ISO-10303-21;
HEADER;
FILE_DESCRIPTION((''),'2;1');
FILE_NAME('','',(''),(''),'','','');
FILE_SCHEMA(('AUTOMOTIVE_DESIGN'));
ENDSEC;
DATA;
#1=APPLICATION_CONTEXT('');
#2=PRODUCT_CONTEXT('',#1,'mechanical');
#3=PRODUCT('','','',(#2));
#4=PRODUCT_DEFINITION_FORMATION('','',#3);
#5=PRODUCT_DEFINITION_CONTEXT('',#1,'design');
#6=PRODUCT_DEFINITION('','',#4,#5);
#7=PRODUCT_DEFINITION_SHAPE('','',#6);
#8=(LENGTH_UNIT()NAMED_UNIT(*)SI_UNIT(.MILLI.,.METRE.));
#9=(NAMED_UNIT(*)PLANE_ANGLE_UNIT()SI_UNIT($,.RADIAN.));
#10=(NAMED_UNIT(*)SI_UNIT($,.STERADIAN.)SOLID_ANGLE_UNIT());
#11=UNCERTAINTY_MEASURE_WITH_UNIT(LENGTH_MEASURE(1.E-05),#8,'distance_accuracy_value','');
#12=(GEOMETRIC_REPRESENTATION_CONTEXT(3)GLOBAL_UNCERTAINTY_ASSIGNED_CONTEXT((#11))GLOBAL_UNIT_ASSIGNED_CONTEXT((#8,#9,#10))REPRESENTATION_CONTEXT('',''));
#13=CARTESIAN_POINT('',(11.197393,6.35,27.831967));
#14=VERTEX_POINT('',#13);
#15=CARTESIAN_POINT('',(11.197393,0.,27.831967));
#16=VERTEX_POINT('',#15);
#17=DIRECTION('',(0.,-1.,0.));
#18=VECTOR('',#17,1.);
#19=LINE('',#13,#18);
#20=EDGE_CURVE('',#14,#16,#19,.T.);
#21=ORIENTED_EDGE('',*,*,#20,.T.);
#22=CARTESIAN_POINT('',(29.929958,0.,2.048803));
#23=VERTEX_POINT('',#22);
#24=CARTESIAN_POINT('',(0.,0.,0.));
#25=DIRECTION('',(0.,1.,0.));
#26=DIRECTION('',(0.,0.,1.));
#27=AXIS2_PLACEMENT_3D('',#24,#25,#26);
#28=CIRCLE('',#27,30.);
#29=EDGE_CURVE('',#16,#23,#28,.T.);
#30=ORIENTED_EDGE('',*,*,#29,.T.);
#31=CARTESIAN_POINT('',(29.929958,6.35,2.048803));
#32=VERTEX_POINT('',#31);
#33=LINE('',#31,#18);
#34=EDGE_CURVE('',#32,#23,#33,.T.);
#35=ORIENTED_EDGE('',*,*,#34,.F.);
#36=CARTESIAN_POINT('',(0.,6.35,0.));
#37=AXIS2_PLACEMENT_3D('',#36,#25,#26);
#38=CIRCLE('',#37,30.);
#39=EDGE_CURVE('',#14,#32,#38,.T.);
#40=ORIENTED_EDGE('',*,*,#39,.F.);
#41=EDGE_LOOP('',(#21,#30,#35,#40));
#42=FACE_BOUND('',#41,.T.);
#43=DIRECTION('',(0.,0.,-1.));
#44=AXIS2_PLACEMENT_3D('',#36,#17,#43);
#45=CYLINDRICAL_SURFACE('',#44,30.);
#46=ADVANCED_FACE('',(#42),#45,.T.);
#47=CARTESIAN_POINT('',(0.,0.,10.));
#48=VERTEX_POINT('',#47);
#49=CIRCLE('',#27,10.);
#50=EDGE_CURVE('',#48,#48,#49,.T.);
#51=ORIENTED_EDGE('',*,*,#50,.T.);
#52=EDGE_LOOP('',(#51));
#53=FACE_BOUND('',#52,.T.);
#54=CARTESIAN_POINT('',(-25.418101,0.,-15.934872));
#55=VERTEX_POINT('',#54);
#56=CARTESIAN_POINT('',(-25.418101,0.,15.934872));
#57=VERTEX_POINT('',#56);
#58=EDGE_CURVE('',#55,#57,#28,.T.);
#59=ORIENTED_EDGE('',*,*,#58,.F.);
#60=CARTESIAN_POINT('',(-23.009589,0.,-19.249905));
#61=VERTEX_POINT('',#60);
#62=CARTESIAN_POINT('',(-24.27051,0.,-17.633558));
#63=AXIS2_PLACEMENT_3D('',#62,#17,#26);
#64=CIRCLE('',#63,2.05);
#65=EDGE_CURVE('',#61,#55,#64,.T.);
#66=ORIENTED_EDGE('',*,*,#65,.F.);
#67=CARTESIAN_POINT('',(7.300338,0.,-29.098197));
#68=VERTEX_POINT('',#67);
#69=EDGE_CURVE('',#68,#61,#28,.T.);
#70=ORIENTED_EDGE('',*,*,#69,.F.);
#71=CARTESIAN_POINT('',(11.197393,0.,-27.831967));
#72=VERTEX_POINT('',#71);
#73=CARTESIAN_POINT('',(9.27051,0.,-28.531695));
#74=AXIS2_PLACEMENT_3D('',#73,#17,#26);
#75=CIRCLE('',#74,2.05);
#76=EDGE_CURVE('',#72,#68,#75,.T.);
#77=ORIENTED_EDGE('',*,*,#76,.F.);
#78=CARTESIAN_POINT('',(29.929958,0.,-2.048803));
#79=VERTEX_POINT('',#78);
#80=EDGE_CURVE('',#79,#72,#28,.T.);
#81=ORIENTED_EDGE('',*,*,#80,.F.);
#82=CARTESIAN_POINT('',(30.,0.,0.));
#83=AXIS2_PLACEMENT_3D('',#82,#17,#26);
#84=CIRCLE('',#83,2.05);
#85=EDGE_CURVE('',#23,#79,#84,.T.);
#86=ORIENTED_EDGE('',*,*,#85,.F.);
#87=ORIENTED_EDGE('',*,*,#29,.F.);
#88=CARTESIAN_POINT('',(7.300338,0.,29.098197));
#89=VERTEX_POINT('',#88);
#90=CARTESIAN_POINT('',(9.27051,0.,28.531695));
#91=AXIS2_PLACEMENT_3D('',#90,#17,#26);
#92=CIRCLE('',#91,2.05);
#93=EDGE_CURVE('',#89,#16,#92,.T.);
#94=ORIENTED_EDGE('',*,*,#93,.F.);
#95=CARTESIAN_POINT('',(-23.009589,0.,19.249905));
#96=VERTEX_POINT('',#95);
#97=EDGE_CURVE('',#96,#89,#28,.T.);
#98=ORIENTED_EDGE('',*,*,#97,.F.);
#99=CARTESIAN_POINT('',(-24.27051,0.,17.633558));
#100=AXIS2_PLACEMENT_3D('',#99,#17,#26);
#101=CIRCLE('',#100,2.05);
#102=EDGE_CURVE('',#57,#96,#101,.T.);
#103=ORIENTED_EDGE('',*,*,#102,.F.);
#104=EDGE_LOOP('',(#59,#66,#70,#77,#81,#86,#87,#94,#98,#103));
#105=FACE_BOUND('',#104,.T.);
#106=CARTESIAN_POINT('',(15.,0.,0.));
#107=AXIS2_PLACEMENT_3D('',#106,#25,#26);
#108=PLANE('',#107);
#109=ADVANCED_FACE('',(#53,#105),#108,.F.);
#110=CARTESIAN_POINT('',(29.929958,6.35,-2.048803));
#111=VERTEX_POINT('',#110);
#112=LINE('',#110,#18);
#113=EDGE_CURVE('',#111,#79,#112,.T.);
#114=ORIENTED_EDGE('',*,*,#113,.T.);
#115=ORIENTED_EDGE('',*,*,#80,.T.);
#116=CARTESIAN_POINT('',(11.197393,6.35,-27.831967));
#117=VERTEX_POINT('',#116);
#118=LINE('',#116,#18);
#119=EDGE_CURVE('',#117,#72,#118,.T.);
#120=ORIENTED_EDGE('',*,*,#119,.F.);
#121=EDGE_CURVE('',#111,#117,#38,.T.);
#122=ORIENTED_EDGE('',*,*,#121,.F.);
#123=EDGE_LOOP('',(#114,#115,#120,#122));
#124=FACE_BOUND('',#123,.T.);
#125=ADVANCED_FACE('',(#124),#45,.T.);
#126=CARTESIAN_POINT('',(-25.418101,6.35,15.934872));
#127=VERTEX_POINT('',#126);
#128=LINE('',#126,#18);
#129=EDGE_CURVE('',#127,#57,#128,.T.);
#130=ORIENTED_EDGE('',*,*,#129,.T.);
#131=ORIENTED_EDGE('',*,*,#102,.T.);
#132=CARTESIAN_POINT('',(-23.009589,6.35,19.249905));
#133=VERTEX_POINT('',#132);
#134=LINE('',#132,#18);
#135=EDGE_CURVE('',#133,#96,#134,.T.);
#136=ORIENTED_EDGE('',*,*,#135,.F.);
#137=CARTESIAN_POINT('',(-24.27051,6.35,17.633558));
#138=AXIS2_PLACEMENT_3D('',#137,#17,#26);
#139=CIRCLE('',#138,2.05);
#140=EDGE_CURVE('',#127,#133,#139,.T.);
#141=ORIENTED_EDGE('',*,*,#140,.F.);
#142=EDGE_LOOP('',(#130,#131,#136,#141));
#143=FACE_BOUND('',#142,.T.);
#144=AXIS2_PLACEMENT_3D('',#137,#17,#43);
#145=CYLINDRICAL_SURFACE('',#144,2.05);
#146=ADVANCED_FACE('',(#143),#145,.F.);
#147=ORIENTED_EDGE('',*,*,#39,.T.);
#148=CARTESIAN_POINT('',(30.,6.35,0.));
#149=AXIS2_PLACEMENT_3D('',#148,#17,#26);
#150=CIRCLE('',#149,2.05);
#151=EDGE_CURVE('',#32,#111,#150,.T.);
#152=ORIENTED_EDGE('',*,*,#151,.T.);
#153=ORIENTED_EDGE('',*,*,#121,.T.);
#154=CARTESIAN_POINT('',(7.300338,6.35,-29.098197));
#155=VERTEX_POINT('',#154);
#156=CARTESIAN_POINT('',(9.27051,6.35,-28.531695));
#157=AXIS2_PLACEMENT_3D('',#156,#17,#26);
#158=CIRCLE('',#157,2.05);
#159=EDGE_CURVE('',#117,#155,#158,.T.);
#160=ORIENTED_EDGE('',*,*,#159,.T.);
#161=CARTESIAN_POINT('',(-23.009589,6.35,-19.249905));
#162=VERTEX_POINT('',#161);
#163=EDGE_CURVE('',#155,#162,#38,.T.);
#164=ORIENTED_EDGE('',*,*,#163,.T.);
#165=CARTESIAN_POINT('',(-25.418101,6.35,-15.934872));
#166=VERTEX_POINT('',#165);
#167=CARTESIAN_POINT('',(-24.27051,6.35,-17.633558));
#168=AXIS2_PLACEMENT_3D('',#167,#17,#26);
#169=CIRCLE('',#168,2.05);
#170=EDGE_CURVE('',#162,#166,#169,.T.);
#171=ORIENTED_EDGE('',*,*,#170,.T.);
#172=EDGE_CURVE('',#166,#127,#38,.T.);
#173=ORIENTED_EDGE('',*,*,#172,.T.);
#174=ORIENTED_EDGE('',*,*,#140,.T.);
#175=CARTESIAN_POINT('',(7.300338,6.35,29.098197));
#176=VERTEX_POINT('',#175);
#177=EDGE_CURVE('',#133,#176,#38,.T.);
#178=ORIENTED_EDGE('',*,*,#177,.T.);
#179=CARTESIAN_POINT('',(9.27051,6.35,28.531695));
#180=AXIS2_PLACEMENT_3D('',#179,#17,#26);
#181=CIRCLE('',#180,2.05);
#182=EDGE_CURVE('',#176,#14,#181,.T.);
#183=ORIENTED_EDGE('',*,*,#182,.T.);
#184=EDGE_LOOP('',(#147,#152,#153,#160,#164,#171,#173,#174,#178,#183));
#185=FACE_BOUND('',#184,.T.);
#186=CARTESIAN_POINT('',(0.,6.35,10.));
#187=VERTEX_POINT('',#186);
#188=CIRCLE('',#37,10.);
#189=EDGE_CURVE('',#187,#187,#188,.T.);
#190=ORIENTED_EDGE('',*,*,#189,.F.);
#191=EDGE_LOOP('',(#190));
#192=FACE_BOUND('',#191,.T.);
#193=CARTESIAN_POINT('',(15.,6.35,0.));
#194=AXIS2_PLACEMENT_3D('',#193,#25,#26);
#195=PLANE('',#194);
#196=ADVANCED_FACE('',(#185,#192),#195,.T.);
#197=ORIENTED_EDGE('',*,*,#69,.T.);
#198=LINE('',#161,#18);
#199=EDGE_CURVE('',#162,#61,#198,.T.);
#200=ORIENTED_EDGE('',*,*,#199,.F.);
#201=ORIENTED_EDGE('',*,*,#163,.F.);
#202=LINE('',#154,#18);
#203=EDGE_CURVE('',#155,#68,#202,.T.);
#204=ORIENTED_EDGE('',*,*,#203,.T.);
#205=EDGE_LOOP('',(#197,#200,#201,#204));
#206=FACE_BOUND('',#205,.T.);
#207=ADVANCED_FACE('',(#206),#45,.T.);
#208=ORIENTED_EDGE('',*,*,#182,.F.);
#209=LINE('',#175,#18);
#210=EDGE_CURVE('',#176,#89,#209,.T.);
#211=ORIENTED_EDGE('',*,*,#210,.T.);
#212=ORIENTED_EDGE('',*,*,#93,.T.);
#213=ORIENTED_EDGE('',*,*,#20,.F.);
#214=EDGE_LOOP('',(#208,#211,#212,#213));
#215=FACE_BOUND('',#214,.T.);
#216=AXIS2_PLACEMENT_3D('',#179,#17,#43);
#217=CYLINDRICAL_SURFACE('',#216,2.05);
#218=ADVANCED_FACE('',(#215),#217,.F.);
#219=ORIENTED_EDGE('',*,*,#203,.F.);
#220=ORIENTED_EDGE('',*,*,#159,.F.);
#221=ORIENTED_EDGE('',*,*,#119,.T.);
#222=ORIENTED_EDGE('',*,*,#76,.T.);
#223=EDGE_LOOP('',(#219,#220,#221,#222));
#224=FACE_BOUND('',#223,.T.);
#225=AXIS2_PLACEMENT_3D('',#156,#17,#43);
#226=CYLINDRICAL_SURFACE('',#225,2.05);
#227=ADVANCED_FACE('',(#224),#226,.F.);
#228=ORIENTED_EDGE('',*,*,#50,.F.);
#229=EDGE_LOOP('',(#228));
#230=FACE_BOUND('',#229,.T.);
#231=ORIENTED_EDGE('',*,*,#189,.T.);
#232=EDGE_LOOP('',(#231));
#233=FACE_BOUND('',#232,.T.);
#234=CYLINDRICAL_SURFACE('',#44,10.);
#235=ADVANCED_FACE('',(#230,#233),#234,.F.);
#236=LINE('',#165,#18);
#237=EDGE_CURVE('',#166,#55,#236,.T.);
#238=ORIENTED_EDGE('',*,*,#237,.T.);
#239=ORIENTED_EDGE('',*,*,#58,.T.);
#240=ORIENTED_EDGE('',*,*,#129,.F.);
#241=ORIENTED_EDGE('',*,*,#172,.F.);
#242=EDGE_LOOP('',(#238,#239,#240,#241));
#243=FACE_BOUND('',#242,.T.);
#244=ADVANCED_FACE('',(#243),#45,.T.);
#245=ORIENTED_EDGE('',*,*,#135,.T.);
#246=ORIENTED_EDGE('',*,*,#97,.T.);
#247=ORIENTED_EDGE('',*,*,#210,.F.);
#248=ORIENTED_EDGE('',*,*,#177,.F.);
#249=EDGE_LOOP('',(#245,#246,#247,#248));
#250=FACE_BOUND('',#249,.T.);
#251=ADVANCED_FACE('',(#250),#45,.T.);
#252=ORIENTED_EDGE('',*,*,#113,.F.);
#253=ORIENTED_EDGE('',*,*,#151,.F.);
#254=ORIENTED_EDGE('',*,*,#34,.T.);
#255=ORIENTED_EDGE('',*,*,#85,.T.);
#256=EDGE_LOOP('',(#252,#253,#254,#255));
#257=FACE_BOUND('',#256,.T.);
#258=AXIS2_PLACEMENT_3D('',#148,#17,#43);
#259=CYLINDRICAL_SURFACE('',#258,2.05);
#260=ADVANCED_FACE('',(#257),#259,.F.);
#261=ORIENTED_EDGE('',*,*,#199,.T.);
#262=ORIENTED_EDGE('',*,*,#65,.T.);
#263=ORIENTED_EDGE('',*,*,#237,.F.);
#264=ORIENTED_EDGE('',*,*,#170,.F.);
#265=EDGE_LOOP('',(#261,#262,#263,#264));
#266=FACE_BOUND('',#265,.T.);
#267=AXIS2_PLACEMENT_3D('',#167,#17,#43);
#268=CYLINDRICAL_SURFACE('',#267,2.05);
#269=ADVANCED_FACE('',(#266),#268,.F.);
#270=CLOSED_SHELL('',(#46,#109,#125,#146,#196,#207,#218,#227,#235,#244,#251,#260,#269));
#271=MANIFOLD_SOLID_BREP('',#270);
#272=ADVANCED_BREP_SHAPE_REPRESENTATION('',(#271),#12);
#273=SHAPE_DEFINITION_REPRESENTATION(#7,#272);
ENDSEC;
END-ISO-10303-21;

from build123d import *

# Parameters (mm, degrees)
SKETCH1_R           = 10
BOSS_EXTRUDE1_DEPTH = 6.35


with BuildPart() as part:
    # Sketch1 → Boss-Extrude1 (new body)
    with BuildSketch(Plane(origin=(0, 0, 0), x_dir=(1, 0, 0), z_dir=(0, 1, 0))):
        with BuildLine():
            ThreePointArc((29.929958333, 2.048803105), (24.270509831, 17.633557569), (11.19739331, 27.831966928))
            ThreePointArc((11.19739331, 27.831966928), (8.637024993, 26.58202963), (7.300338222, 29.098196883))
            ThreePointArc((7.300338222, 29.098196883), (-9.270509831, 28.531695489), (-23.009588682, 19.249904641))
            ThreePointArc((-23.009588682, 19.249904641), (-22.612024993, 16.428597802), (-25.418101183, 15.93487158))
            ThreePointArc((-25.418101183, 15.93487158), (-30, 0), (-25.418101183, -15.93487158))
            ThreePointArc((-25.418101183, -15.93487158), (-22.612024993, -16.428597802), (-23.009588682, -19.249904641))
            ThreePointArc((-23.009588682, -19.249904641), (-9.270509831, -28.531695489), (7.300338222, -29.098196883))
            ThreePointArc((7.300338222, -29.098196883), (8.637024993, -26.58202963), (11.19739331, -27.831966928))
            ThreePointArc((11.19739331, -27.831966928), (24.270509831, -17.633557569), (29.929958333, -2.048803105))
            ThreePointArc((29.929958333, -2.048803105), (27.95, 0), (29.929958333, 2.048803105))
        make_face()
        with Locations(Location((0, 0, 0), (0, 0, 270))):
            Circle(SKETCH1_R, mode=Mode.SUBTRACT)
    extrude(amount=BOSS_EXTRUDE1_DEPTH)


solid = part.part
